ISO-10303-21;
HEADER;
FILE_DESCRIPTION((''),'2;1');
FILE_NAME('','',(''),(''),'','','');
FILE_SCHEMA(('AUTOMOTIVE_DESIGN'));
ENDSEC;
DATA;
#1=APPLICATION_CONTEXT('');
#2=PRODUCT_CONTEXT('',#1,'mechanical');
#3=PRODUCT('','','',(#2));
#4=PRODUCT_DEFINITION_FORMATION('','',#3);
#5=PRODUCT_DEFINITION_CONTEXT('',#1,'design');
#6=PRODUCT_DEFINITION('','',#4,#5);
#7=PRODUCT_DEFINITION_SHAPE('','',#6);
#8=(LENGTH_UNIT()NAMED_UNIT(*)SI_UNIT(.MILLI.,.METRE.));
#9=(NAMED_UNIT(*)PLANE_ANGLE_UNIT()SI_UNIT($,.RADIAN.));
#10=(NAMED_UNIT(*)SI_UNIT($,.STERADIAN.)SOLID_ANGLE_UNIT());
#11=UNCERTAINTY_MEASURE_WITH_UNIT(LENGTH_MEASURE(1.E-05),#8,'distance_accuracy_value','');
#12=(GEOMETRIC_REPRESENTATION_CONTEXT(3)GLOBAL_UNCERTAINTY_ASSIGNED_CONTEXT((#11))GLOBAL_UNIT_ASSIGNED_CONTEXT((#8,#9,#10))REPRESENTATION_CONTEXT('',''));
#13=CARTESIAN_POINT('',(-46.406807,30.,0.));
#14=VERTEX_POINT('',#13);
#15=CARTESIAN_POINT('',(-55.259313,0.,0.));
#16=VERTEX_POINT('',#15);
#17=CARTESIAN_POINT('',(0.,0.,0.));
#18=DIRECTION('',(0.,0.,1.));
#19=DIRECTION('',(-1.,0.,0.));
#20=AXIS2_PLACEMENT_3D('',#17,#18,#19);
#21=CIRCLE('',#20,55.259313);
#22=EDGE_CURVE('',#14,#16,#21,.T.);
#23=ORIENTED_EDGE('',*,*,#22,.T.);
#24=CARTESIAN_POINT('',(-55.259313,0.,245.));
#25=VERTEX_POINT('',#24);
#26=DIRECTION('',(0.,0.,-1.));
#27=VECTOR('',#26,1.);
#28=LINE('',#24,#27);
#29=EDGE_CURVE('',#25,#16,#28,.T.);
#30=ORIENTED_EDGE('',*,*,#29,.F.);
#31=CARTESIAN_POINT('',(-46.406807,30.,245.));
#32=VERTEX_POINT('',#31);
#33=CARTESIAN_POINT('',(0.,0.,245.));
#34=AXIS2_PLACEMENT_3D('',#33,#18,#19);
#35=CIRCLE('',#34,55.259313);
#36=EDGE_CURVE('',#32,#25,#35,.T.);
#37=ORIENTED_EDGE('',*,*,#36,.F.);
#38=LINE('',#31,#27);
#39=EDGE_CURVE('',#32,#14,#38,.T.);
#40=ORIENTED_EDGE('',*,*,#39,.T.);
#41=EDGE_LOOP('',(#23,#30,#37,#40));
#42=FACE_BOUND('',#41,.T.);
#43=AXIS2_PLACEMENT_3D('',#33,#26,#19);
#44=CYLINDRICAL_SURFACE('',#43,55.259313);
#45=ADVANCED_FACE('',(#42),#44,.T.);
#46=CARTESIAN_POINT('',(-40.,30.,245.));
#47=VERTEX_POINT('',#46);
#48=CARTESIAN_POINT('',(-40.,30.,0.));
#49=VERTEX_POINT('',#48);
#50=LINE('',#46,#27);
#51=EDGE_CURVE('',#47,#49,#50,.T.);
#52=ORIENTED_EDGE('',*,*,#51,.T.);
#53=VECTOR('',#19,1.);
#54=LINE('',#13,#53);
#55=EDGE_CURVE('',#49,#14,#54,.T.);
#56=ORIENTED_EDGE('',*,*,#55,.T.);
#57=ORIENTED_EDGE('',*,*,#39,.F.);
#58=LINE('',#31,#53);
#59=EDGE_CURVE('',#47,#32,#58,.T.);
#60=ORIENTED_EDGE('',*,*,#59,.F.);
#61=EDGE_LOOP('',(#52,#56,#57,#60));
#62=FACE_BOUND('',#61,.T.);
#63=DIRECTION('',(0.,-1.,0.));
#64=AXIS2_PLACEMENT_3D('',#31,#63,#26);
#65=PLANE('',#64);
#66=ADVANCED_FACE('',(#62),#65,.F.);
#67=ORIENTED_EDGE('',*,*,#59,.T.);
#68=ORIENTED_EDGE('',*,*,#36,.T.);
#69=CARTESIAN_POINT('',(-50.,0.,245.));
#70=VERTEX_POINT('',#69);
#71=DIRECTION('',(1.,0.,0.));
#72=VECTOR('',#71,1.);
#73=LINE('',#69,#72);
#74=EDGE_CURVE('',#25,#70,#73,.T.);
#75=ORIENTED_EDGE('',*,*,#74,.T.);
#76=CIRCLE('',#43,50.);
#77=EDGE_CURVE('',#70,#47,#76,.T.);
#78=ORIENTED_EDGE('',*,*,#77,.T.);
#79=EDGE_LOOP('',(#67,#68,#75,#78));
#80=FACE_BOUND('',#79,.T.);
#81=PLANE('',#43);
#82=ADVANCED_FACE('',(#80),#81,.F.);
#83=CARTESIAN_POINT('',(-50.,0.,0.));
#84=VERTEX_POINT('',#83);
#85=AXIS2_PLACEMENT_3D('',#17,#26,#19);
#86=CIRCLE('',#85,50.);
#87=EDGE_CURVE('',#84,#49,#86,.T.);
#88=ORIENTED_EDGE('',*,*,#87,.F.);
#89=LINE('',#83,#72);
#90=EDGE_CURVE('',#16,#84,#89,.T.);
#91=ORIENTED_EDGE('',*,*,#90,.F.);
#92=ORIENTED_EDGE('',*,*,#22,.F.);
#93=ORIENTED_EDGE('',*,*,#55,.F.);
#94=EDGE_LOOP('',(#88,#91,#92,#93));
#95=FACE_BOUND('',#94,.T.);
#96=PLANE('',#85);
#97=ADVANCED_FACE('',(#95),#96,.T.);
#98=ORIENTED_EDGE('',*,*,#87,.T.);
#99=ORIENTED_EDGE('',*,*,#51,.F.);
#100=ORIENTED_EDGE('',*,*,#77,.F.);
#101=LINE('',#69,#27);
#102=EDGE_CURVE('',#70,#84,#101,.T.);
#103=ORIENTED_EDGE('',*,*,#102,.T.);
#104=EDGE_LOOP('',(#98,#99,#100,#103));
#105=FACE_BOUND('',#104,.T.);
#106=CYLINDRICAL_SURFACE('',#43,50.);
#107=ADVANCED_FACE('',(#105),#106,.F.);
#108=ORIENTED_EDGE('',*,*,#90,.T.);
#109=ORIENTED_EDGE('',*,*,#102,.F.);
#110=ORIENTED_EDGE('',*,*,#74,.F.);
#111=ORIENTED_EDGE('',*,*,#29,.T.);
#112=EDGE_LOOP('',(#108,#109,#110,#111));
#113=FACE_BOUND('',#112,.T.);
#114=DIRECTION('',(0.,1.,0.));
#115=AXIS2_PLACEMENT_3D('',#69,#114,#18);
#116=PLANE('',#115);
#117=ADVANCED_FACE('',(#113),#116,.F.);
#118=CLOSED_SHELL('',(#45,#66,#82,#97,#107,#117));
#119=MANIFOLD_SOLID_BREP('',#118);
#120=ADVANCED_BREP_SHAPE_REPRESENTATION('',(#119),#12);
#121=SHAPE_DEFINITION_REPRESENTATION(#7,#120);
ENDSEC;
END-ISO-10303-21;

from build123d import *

# Parameters (mm, degrees)
BOSS_EXTRU_1_DEPTH = 245


with BuildPart() as part:
    # Esquisse1 → Boss.-Extru.1 (new body)
    with BuildSketch(Plane.XY):
        with BuildLine():
            Line((-46.40680681, 30), (-40, 30))
            ThreePointArc((-40, 30), (-47.434164903, 15.811388301), (-50, 0))
            Line((-50, 0), (-55.259313407, 0))
            ThreePointArc((-55.259313407, 0), (-53, 15.639428323), (-46.40680681, 30))
        make_face()
    extrude(amount=BOSS_EXTRU_1_DEPTH)


solid = part.part
